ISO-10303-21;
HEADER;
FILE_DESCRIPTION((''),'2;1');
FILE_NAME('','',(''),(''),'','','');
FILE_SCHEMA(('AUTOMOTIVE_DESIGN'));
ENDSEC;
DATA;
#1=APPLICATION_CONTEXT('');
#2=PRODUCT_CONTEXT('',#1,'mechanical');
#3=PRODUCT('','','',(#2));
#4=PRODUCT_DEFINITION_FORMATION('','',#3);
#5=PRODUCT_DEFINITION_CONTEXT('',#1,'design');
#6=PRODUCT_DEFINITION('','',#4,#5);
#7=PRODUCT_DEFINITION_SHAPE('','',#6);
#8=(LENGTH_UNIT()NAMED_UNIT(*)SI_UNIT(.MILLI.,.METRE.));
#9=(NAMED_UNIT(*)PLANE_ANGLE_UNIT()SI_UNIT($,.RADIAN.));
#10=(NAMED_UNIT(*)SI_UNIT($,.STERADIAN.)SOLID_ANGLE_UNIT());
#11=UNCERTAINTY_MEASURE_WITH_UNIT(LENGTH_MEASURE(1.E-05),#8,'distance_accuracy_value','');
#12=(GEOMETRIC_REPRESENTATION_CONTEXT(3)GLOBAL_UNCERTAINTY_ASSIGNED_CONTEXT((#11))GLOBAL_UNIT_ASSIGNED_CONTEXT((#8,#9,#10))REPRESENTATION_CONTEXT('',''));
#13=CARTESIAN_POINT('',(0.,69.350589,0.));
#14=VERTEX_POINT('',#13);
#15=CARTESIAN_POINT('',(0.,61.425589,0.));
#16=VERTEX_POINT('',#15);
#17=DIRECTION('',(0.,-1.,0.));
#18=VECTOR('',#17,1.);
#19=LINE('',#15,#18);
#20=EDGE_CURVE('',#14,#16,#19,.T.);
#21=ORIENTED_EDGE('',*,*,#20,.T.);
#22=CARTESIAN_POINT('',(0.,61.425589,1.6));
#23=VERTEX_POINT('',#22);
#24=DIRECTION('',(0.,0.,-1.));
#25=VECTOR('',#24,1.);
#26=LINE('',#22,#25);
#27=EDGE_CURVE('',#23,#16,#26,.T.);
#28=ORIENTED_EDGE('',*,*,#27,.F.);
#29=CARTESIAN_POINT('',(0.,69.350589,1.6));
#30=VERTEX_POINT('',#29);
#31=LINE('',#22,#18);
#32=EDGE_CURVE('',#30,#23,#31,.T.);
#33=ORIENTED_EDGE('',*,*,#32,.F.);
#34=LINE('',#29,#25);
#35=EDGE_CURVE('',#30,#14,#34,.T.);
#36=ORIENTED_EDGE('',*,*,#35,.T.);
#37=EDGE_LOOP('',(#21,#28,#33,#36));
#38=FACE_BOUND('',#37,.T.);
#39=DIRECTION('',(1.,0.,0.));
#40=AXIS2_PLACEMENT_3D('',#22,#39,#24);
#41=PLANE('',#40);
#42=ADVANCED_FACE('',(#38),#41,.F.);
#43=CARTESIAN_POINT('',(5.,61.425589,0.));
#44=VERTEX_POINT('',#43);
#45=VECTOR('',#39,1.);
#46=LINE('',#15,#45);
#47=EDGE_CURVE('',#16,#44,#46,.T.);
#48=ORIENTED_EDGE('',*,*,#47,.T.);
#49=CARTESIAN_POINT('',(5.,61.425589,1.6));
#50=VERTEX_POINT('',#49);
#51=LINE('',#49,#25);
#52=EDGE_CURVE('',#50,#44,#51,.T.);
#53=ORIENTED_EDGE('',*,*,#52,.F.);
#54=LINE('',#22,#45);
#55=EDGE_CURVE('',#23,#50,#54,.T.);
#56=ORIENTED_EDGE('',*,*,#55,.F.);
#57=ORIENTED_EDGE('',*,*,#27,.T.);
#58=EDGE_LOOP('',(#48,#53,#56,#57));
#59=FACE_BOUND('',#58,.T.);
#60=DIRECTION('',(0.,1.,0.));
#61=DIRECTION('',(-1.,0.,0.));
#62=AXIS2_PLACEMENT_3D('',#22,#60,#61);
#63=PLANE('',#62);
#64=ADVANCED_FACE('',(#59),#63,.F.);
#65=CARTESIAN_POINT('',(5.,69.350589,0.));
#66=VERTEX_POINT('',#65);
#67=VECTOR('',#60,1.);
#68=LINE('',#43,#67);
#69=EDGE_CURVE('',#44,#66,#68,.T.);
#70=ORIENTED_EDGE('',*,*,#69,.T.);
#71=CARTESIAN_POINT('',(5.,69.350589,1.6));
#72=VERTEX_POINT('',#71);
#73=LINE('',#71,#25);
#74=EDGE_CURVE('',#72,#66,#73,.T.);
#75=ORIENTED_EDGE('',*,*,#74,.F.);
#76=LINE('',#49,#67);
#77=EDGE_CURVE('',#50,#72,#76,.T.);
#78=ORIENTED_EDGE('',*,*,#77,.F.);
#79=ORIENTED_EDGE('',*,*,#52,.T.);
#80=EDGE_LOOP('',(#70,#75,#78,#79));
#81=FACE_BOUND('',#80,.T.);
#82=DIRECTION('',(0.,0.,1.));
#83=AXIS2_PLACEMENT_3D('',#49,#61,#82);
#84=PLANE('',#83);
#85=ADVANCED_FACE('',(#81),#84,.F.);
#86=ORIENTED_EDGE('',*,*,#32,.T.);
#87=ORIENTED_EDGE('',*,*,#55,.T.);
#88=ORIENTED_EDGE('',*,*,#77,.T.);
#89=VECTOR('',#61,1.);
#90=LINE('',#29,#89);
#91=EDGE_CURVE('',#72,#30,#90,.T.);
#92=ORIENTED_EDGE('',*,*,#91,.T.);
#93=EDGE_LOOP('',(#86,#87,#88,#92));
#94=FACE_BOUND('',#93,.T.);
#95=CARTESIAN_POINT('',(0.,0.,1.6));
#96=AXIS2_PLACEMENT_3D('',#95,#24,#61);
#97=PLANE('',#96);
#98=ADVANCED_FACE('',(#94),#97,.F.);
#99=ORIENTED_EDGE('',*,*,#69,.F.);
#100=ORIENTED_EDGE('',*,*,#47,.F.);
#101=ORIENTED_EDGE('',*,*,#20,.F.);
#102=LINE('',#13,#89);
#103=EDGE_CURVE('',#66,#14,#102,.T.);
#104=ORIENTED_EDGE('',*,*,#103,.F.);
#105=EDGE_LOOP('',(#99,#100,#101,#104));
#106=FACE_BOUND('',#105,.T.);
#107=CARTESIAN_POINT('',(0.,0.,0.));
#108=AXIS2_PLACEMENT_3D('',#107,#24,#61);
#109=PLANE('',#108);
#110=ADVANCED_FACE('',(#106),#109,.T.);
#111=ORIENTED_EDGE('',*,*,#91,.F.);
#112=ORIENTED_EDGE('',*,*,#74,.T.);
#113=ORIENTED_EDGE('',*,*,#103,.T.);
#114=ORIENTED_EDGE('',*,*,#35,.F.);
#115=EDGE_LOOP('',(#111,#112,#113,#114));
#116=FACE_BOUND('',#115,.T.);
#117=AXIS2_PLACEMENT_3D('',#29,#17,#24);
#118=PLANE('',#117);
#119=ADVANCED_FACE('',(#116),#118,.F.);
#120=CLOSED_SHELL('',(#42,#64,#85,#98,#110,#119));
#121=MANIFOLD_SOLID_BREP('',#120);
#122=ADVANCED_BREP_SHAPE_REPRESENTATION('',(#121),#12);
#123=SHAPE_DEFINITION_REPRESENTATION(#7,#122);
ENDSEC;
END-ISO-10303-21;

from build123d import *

# Parameters (mm, degrees)
SKETCH1_W           = 5
SKETCH1_H           = 7.925
BOSS_EXTRUDE1_DEPTH = 1.6


with BuildPart() as part:
    # Sketch1 → Boss-Extrude1 (new body)
    with BuildSketch(Plane.XY):
        with Locations((2.5, 65.388089021)):
            Rectangle(SKETCH1_W, SKETCH1_H)
    extrude(amount=BOSS_EXTRUDE1_DEPTH)


solid = part.part
